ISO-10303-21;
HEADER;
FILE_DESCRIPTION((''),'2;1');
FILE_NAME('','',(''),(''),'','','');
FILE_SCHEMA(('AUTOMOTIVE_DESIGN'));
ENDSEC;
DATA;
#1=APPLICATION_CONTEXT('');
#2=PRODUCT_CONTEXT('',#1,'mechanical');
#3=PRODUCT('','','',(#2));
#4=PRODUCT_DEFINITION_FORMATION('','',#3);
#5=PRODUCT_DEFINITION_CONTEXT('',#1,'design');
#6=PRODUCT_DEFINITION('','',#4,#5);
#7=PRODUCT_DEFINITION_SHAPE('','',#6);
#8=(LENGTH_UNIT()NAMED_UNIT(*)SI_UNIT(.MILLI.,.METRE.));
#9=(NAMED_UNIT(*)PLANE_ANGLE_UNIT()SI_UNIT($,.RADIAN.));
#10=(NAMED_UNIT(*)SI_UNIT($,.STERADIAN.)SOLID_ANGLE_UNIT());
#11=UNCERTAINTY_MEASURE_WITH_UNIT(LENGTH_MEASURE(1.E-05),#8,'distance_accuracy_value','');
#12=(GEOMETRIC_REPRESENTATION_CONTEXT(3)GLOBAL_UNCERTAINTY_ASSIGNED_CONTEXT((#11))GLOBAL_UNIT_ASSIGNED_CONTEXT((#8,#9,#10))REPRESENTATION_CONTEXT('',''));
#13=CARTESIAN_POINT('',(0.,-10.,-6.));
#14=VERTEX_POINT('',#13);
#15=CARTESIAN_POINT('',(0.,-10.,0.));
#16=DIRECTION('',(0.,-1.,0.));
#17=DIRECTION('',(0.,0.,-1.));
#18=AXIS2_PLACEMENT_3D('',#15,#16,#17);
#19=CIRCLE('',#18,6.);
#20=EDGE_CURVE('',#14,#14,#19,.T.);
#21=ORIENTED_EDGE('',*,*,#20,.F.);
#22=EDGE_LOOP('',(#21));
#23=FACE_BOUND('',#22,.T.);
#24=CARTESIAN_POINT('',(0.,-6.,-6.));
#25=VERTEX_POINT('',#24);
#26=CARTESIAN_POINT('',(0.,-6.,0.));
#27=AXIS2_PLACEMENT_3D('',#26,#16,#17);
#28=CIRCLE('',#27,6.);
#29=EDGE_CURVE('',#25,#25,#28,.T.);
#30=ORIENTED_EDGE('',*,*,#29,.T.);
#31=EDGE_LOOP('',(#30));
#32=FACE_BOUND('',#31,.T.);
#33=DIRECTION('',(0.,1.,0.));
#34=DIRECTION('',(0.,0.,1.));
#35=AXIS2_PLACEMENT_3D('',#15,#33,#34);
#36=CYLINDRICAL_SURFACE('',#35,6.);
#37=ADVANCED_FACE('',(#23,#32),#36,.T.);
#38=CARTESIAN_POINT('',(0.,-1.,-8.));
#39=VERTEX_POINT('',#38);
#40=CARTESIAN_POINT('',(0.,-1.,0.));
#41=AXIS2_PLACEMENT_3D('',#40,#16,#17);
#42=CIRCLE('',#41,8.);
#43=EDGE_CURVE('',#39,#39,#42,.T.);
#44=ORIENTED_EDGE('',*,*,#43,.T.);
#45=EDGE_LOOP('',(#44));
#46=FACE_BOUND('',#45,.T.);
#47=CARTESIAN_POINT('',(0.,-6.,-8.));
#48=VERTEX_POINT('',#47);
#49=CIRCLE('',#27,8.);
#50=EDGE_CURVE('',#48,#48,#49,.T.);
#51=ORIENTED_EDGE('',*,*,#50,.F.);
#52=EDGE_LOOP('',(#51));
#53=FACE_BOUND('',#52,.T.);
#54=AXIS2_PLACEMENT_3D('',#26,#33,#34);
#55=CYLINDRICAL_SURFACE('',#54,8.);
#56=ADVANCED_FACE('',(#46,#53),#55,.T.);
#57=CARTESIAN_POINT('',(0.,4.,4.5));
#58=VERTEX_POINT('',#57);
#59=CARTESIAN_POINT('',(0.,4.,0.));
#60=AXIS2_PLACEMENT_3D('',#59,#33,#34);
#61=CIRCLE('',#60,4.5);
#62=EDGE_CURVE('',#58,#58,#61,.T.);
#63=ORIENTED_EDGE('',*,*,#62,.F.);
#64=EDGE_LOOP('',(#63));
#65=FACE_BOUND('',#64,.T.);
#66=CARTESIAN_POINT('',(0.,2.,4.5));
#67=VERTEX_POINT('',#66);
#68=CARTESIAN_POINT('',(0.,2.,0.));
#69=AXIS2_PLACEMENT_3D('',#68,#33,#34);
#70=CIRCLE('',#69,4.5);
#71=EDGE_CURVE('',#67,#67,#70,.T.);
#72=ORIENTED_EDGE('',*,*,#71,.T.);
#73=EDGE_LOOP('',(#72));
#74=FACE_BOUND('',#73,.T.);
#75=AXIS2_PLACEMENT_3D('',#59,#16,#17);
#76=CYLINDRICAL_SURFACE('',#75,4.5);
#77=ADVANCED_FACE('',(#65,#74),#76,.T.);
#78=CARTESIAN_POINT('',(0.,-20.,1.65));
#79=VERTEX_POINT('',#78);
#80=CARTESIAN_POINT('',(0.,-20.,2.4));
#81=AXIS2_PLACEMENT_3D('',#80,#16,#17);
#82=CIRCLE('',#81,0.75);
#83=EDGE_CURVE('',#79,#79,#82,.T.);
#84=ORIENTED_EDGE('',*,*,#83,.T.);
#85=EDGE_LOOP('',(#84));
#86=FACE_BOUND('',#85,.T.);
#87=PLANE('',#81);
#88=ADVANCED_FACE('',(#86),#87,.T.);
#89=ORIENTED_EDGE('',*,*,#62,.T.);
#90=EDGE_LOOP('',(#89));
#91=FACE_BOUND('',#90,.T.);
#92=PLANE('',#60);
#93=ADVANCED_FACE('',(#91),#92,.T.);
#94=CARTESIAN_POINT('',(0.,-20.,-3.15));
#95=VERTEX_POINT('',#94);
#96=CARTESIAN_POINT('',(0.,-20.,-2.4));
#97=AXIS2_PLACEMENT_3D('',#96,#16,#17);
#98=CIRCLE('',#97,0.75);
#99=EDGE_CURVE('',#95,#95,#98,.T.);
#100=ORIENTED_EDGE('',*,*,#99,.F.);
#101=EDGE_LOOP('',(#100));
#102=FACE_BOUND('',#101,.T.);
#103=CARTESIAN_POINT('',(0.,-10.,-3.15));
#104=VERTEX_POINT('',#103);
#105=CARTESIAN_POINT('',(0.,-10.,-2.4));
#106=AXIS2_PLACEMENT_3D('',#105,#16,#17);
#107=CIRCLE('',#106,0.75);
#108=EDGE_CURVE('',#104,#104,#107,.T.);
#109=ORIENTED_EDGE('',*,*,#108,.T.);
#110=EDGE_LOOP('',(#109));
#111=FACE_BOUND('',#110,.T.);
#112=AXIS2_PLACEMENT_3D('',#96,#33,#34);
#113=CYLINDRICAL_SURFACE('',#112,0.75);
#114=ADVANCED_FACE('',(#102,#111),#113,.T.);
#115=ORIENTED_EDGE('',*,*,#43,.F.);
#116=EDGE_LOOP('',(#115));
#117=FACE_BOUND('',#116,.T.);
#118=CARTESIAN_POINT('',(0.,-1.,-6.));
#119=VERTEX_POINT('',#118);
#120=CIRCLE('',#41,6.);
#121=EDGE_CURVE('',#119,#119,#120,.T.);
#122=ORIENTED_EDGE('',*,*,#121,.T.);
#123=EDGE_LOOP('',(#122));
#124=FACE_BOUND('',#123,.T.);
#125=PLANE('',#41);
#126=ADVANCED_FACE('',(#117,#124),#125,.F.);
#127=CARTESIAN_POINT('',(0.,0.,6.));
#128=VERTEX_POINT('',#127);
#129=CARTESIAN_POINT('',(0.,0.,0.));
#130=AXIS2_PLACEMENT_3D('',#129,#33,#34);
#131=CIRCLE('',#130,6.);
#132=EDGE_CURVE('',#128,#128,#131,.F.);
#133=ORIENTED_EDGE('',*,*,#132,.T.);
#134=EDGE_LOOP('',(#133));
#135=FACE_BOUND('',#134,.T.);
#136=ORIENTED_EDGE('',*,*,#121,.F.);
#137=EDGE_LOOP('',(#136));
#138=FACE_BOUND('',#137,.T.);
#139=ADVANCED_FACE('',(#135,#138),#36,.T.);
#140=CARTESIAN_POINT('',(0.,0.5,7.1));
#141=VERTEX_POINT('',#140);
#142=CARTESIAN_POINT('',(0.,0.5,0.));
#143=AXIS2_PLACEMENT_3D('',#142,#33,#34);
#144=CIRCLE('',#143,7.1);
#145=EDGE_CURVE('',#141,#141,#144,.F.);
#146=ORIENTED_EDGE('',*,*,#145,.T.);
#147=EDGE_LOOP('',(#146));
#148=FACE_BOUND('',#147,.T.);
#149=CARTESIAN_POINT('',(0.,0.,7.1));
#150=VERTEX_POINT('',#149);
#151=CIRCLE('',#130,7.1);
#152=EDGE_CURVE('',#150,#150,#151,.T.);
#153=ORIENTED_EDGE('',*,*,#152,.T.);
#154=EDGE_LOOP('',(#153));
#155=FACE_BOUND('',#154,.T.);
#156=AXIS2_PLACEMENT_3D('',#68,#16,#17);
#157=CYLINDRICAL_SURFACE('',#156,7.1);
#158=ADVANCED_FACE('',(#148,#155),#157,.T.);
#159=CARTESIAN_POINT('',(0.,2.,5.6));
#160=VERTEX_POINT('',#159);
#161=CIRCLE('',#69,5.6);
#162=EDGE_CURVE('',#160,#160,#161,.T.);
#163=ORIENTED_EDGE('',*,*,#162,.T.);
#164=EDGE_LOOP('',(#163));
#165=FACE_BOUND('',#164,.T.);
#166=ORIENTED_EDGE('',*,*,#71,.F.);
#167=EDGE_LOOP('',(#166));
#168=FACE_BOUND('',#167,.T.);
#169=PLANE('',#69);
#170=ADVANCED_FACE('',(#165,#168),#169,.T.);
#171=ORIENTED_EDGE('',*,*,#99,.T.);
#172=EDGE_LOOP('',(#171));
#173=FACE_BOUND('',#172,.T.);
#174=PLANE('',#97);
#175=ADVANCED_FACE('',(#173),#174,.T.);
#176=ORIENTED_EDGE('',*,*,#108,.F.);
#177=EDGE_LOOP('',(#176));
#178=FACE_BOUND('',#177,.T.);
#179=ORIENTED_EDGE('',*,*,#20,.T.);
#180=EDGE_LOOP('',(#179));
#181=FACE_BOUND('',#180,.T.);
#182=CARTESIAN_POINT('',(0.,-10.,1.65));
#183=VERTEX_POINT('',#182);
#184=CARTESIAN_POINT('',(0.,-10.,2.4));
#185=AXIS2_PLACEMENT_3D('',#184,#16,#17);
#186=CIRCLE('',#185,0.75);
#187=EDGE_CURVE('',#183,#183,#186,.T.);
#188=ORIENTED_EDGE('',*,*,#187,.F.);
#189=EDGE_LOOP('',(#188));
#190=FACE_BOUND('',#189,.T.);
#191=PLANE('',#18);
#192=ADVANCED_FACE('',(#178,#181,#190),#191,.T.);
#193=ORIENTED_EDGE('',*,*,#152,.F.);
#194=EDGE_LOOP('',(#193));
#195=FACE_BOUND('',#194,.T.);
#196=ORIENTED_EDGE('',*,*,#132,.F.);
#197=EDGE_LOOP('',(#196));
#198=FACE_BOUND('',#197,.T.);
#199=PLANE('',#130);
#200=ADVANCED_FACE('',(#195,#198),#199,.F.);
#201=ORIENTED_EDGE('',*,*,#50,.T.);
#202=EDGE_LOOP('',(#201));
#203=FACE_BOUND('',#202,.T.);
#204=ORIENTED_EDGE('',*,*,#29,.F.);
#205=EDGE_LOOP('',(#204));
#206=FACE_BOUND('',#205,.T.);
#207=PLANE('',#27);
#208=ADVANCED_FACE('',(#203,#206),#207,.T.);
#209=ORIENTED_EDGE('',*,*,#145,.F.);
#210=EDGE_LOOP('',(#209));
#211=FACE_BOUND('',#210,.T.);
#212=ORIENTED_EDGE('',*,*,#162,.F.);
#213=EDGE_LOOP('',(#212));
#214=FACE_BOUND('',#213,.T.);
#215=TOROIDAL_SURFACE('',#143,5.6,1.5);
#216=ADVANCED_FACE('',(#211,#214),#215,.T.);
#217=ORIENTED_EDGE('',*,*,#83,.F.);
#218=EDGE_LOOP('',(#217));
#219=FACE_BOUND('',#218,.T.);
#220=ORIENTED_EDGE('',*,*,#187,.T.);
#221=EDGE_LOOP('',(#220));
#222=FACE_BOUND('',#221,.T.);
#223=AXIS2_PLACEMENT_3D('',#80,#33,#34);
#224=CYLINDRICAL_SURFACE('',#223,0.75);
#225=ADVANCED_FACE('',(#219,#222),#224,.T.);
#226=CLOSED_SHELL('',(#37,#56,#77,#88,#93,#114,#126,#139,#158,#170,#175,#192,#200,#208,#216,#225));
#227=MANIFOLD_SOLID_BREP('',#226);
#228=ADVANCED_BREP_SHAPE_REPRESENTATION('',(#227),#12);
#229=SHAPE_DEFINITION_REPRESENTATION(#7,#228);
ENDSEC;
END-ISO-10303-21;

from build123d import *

# Parameters (mm, degrees)
SKETCH_1_R      = 7.1
EXTRUDE_1_DEPTH = 2
FILLET_1_R      = 1.5
SKETCH_2_R      = 4.5
EXTRUDE_2_DEPTH = 2
SKETCH_3_R      = 6
EXTRUDE_3_DEPTH = 10
SKETCH_4_R      = 0.75
EXTRUDE_4_DEPTH = 10
SKETCH_5_R      = 8
SKETCH_5_R_2    = 6
EXTRUDE_5_DEPTH = 5


with BuildPart() as part:
    # 草图1 → 拉伸1 (new body)
    with BuildSketch(Plane(origin=(0, 0, 0), x_dir=(1, 0, 0), z_dir=(0, 1, 0))):
        with Locations(Location((0, 0, 0), (0, 0, 270))):
            Circle(SKETCH_1_R)
    extrude(amount=EXTRUDE_1_DEPTH)

    # 圆角1
    fillet_1_edges = [part.edges().sort_by_distance(p)[0] for p in [
        (0, 2, -7.1),
    ]]
    fillet(fillet_1_edges, radius=FILLET_1_R)

    # 草图2 → 拉伸2 (add)
    with BuildSketch(Plane(origin=(0, 2, 0), x_dir=(-1, 0, 0), z_dir=(0, 1, 0))):
        with Locations(Location((0, 0, 0), (0, 0, 90))):
            Circle(SKETCH_2_R)
    extrude(amount=EXTRUDE_2_DEPTH)

    # 草图3 → 拉伸3 (add)
    with BuildSketch(Plane.XZ):
        with Locations(Location((0, 0, 0), (0, 0, 90))):
            Circle(SKETCH_3_R)
    extrude(amount=EXTRUDE_3_DEPTH)

    # 草图4 → 拉伸4 (add)
    with BuildSketch(Plane.XZ.offset(10)):
        with Locations(Location((0, -2.4, 0), (0, 0, 270))):
            Circle(SKETCH_4_R)
        with Locations(Location((0, 2.4, 0), (0, 0, 270))):
            Circle(SKETCH_4_R)
    extrude(amount=EXTRUDE_4_DEPTH)

    # 草图5 → 拉伸5 (add)
    with BuildSketch(Plane.XZ.offset(1)):
        with Locations(Location((0, 0, 0), (0, 0, 270))):
            Circle(SKETCH_5_R)
        with Locations(Location((0, 0, 0), (0, 0, 90))):
            Circle(SKETCH_5_R_2, mode=Mode.SUBTRACT)
    extrude(amount=EXTRUDE_5_DEPTH)


solid = part.part
